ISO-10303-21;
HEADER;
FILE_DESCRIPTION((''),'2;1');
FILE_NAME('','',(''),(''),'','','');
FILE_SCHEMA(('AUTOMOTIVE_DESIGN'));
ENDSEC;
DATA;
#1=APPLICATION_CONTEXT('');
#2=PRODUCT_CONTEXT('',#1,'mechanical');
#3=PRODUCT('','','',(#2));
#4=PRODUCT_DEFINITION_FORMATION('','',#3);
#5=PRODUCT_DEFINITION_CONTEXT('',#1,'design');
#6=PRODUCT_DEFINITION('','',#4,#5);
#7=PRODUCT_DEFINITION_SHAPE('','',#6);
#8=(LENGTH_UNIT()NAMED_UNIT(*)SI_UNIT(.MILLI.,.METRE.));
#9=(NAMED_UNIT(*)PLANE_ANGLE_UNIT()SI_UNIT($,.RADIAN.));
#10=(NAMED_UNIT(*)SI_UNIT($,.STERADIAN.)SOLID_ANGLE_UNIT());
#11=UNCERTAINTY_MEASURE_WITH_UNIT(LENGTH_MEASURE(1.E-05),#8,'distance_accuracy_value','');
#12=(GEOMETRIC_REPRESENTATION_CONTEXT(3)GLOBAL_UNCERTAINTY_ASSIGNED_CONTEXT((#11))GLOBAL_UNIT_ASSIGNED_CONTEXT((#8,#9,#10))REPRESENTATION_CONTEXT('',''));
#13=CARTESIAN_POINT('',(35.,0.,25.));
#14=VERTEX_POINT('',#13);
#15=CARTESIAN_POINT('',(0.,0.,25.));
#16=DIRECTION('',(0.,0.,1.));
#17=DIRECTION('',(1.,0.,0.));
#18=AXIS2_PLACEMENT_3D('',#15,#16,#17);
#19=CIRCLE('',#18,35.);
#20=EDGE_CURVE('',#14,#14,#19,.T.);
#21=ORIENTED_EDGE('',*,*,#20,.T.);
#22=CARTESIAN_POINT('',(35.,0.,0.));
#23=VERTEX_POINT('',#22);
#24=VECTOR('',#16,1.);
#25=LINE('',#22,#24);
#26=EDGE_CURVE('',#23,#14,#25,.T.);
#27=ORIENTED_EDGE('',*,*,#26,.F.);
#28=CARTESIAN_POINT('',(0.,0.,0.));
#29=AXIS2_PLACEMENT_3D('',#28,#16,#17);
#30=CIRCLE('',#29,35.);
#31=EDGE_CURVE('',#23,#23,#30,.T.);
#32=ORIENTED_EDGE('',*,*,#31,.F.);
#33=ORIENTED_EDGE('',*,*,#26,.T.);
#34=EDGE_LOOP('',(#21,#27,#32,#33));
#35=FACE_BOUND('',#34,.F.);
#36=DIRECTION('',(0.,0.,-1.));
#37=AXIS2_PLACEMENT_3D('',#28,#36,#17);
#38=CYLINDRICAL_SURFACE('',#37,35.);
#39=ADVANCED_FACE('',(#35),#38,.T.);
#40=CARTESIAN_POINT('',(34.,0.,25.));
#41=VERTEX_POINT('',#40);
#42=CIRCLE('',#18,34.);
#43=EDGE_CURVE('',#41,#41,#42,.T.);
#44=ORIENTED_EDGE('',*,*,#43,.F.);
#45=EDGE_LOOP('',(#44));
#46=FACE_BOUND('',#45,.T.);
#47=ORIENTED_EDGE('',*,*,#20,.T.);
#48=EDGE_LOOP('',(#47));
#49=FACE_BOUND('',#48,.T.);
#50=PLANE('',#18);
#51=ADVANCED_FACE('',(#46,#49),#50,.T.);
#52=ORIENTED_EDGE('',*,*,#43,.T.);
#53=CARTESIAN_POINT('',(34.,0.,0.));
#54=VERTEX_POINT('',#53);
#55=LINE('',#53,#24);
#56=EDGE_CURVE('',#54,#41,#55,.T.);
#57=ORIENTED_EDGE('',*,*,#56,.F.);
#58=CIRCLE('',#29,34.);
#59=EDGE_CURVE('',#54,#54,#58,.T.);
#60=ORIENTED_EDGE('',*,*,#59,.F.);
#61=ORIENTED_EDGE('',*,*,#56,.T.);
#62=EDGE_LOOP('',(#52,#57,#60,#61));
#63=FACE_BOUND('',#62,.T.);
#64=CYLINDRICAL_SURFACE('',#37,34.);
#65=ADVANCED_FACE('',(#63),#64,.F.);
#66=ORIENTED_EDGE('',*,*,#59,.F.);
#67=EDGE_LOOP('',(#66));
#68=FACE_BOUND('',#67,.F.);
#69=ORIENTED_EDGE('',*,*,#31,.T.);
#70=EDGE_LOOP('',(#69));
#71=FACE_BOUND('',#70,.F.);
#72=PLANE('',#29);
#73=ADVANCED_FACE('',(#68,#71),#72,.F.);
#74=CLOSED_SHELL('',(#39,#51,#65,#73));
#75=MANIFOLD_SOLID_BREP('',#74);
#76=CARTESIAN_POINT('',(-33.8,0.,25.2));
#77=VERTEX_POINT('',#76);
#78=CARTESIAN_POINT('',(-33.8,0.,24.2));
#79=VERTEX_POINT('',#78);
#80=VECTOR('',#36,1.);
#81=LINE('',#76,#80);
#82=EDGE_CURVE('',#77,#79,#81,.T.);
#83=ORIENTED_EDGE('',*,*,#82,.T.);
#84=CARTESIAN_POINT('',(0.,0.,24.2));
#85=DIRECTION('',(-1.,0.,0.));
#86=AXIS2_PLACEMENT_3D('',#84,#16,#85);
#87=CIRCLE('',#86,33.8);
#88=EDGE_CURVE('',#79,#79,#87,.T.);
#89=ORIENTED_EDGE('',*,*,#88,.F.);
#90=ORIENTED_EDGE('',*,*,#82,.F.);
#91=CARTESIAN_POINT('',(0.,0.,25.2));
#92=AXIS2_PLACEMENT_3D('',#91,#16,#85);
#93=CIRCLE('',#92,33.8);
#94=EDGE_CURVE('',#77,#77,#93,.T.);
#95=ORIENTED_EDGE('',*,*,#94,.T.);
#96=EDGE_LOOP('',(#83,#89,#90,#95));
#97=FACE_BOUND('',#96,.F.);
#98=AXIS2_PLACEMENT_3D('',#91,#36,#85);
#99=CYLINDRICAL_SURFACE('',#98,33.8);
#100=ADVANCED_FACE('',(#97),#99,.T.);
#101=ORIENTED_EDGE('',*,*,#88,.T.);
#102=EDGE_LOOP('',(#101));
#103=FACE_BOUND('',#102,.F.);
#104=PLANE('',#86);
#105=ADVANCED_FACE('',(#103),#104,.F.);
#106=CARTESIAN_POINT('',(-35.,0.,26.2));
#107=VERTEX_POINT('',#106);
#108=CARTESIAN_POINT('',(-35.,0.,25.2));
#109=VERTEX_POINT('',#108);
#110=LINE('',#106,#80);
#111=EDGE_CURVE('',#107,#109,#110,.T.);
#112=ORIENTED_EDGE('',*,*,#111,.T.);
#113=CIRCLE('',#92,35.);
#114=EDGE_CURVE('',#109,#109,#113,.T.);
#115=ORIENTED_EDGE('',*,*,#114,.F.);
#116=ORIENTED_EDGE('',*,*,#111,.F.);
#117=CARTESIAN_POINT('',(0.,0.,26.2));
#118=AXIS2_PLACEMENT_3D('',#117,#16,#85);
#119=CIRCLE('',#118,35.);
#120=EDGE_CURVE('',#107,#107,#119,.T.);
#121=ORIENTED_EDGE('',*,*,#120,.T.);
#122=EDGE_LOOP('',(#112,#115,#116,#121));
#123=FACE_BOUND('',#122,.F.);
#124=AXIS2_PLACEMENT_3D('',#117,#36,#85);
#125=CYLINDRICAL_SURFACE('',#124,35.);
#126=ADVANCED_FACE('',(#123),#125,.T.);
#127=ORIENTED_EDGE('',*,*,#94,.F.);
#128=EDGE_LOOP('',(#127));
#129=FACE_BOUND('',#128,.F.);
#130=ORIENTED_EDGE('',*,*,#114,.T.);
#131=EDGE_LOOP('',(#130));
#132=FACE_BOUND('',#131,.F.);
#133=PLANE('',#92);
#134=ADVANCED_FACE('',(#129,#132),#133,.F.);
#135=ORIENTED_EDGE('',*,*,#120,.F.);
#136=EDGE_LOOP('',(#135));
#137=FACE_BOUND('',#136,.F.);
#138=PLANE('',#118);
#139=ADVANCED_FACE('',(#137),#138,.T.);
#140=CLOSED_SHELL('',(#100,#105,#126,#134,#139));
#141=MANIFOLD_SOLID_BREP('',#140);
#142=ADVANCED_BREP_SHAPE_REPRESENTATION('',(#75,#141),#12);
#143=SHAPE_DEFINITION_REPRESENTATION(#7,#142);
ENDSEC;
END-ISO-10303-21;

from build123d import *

# Parameters (mm, degrees)
F0_R     = 35
F0_R_2   = 34
F1_DEPTH = 25


with BuildPart() as f1:
    # F0 (on Top) → F1 (new body)
    with BuildSketch(Plane.XY):
        Circle(F0_R)
        Circle(F0_R_2, mode=Mode.SUBTRACT)
    extrude(amount=F1_DEPTH)


with BuildPart() as f3:
    # F2 (on Front) → F3 (revolve)
    with BuildSketch(Plane.XZ):
        Polygon((-35, 26.2), (-35, 25.2), (-33.8, 25.2), (-33.8, 24.2), (0, 24.2), (0, 26.2), align=None)
    revolve(axis=Axis((0, 0, 25.2), (0, 0, 1)))


solid = Compound([f1.part, f3.part])
